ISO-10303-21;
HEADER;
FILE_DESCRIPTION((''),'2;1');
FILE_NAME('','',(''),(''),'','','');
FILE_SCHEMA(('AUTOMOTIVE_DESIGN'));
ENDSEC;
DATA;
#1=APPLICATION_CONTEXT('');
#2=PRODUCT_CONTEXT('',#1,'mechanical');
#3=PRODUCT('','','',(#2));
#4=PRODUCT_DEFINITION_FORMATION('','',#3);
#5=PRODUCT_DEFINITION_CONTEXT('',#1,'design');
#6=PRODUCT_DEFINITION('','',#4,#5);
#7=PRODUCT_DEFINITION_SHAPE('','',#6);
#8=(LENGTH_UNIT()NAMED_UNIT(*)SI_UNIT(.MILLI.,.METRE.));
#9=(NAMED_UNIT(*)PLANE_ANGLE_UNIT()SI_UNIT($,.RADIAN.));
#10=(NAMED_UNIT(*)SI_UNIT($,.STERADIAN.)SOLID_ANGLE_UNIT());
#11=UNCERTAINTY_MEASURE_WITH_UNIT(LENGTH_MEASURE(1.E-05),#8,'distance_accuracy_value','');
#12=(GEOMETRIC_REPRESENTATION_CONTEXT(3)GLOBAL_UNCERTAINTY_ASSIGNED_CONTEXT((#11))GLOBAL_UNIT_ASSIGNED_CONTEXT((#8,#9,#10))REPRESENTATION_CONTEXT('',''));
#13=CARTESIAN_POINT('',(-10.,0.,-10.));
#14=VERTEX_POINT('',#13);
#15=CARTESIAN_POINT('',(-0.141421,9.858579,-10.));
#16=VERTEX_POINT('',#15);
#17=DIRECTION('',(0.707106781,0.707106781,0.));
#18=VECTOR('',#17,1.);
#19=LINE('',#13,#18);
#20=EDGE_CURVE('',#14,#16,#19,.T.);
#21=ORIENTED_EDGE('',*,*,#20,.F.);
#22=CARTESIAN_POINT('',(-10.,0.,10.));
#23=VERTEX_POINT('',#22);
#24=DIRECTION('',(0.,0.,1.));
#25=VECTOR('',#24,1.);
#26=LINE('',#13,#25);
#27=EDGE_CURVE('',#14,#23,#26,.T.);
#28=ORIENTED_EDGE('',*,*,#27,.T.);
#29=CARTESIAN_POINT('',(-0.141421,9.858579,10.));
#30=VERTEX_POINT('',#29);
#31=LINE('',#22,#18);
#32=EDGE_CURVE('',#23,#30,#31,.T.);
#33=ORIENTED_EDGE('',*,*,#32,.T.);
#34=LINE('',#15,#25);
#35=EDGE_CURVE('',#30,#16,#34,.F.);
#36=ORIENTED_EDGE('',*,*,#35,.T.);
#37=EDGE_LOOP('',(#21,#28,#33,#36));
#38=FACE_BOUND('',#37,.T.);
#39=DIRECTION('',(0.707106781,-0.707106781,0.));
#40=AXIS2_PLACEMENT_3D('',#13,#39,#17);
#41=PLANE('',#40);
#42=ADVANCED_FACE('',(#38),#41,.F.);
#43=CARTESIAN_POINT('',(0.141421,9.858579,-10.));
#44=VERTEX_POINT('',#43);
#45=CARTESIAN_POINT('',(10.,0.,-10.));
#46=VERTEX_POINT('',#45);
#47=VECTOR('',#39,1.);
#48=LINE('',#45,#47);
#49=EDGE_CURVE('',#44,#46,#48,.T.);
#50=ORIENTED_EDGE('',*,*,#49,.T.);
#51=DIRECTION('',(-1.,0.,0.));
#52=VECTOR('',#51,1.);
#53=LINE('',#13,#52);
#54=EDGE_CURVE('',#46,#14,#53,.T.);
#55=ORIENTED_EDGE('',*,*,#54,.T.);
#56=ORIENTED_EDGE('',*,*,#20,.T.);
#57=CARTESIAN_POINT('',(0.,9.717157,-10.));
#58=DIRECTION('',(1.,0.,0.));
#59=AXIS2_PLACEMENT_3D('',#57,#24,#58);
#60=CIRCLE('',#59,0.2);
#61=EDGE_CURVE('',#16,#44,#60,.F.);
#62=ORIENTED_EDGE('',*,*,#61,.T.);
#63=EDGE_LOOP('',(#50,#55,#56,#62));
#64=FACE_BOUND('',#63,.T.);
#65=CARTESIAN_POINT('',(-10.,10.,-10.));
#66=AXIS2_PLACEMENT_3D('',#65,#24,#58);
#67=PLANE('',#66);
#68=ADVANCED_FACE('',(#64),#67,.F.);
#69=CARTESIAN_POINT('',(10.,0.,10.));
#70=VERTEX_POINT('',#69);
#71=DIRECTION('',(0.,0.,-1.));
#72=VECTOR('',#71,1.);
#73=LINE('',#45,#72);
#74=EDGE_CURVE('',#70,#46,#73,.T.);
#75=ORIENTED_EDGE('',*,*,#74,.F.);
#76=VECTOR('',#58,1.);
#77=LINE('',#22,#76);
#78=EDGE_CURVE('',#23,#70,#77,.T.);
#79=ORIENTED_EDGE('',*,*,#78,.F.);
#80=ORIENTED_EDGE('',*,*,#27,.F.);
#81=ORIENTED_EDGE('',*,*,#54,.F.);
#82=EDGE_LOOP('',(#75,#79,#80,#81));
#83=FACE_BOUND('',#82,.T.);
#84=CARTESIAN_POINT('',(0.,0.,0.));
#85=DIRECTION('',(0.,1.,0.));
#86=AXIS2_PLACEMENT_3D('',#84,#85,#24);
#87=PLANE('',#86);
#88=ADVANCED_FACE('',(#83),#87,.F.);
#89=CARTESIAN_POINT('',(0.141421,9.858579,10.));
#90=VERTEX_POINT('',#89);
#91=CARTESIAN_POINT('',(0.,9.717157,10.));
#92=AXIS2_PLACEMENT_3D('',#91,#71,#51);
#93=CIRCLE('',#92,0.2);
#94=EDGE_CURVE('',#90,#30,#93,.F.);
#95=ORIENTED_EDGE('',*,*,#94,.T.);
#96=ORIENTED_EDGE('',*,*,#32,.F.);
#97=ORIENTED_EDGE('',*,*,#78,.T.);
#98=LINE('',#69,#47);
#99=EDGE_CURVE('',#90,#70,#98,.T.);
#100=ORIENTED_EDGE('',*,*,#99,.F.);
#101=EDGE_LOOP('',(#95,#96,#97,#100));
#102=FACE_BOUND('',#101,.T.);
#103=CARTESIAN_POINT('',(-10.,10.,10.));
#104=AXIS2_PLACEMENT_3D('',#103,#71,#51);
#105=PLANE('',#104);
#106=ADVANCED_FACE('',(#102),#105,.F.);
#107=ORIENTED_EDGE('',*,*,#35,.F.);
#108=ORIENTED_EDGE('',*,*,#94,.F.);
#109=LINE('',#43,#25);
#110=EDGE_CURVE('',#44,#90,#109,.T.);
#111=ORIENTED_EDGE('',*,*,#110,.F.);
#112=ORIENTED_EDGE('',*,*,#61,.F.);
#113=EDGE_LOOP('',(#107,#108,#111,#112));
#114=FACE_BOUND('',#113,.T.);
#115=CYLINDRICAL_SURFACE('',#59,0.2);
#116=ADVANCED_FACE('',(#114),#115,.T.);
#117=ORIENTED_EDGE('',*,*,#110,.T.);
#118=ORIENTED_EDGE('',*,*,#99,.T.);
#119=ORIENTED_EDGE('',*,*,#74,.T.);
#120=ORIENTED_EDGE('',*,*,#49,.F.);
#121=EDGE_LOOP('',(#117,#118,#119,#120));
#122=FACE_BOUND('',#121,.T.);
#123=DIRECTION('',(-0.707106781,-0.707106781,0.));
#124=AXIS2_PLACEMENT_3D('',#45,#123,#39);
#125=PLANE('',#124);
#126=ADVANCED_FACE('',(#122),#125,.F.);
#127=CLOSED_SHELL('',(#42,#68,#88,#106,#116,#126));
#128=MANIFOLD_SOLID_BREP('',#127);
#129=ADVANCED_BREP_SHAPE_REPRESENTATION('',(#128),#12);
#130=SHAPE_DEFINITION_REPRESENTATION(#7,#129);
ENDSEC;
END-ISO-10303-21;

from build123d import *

# Parameters (mm, degrees)
SKETCH1_W           = 20
SKETCH1_H           = 20
BOSS_EXTRUDE1_DEPTH = 10
CUT_EXTRUDE1_DEPTH  = 20
CUT_EXTRUDE3_DEPTH  = 20
FILLET1_R           = 0.2


with BuildPart() as part:
    # Sketch1 → Boss-Extrude1 (new body)
    with BuildSketch(Plane(origin=(0, 0, 0), x_dir=(1, 0, 0), z_dir=(0, 1, 0))):
        Rectangle(SKETCH1_W, SKETCH1_H)
    extrude(amount=BOSS_EXTRUDE1_DEPTH)

    # Sketch2 → Cut-Extrude1 (cut)
    with BuildSketch(Plane.XY.offset(10)):
        Polygon((-10, 10), (-10, 0), (0, 10), align=None)
    extrude(amount=-CUT_EXTRUDE1_DEPTH, mode=Mode.SUBTRACT)

    # Sketch3 → Cut-Extrude3 (cut)
    with BuildSketch(Plane.XY.offset(10)):
        Polygon((0, 10), (10, 10), (10, 0), align=None)
    extrude(amount=-CUT_EXTRUDE3_DEPTH, mode=Mode.SUBTRACT)

    # Fillet1
    fillet1_edges = [part.edges().sort_by_distance(p)[0] for p in [
        (0, 10, 0),
    ]]
    fillet(fillet1_edges, radius=FILLET1_R)


solid = part.part
